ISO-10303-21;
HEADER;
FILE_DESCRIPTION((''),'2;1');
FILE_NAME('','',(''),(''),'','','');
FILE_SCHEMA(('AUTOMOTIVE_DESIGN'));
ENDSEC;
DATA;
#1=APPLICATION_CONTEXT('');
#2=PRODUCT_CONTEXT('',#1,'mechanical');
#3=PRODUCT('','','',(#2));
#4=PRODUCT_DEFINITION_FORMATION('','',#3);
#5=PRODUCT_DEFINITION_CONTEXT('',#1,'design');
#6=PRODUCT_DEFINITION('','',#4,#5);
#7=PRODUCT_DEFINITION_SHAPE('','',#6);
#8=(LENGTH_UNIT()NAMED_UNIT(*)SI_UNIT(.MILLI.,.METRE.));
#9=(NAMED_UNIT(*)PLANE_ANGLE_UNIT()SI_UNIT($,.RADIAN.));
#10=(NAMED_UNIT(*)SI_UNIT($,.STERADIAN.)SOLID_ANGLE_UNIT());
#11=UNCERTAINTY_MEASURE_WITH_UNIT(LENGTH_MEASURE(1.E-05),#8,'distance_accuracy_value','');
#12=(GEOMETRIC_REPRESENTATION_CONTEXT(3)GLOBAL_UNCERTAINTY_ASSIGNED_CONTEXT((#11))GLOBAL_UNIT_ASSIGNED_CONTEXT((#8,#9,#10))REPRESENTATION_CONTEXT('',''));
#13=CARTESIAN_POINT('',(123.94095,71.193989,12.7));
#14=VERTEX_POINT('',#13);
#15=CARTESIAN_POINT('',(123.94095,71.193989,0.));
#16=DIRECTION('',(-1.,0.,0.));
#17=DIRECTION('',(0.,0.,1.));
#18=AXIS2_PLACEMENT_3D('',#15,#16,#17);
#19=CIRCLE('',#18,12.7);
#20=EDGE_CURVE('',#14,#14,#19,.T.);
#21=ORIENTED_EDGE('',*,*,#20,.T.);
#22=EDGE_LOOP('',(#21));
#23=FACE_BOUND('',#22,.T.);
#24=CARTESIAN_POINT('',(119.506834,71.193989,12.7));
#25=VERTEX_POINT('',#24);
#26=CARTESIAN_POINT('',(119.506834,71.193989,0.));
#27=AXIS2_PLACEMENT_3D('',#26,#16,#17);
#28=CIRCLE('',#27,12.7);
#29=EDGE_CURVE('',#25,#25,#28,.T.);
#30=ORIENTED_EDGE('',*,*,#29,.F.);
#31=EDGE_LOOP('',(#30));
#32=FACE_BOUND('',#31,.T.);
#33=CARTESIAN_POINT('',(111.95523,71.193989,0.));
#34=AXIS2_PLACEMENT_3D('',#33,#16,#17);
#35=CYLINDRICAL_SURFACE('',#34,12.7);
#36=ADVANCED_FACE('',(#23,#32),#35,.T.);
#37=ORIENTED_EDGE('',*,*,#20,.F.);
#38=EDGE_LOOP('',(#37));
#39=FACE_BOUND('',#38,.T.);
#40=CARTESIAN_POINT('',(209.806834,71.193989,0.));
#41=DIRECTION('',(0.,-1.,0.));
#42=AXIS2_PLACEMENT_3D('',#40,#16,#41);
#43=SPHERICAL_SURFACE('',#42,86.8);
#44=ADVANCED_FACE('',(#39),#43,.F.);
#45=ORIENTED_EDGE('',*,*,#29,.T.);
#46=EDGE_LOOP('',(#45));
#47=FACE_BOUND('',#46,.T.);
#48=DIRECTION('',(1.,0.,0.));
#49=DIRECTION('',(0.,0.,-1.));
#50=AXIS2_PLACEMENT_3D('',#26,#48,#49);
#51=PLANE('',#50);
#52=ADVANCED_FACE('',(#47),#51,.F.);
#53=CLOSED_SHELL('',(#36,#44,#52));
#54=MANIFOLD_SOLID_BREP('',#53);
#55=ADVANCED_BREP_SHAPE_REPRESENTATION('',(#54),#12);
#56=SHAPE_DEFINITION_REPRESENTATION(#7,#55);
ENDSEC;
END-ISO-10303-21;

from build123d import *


with BuildPart() as part:
    # 草图1 → 旋转1 (revolve)
    with BuildSketch(Plane.XY, mode=Mode.PRIVATE) as revolve_1_sk:
        with BuildLine():
            Line((119.506834179, 71.193989087), (119.506834179, 83.893989087))
            Line((119.506834179, 83.893989087), (123.940950383, 83.893989087))
            ThreePointArc((123.940950383, 83.893989087), (123.240678224, 77.561142553), (123.006834179, 71.193989087))
            Line((123.006834179, 71.193989087), (119.506834179, 71.193989087))
        make_face()
    revolve(revolve_1_sk.sketch.rotate(Axis((111.955229758, 71.193989087, 0), (1, 0, 0)), 180), axis=Axis((111.955229758, 71.193989087, 0), (1, 0, 0)))  # turned: the seam where the file's is


solid = part.part
